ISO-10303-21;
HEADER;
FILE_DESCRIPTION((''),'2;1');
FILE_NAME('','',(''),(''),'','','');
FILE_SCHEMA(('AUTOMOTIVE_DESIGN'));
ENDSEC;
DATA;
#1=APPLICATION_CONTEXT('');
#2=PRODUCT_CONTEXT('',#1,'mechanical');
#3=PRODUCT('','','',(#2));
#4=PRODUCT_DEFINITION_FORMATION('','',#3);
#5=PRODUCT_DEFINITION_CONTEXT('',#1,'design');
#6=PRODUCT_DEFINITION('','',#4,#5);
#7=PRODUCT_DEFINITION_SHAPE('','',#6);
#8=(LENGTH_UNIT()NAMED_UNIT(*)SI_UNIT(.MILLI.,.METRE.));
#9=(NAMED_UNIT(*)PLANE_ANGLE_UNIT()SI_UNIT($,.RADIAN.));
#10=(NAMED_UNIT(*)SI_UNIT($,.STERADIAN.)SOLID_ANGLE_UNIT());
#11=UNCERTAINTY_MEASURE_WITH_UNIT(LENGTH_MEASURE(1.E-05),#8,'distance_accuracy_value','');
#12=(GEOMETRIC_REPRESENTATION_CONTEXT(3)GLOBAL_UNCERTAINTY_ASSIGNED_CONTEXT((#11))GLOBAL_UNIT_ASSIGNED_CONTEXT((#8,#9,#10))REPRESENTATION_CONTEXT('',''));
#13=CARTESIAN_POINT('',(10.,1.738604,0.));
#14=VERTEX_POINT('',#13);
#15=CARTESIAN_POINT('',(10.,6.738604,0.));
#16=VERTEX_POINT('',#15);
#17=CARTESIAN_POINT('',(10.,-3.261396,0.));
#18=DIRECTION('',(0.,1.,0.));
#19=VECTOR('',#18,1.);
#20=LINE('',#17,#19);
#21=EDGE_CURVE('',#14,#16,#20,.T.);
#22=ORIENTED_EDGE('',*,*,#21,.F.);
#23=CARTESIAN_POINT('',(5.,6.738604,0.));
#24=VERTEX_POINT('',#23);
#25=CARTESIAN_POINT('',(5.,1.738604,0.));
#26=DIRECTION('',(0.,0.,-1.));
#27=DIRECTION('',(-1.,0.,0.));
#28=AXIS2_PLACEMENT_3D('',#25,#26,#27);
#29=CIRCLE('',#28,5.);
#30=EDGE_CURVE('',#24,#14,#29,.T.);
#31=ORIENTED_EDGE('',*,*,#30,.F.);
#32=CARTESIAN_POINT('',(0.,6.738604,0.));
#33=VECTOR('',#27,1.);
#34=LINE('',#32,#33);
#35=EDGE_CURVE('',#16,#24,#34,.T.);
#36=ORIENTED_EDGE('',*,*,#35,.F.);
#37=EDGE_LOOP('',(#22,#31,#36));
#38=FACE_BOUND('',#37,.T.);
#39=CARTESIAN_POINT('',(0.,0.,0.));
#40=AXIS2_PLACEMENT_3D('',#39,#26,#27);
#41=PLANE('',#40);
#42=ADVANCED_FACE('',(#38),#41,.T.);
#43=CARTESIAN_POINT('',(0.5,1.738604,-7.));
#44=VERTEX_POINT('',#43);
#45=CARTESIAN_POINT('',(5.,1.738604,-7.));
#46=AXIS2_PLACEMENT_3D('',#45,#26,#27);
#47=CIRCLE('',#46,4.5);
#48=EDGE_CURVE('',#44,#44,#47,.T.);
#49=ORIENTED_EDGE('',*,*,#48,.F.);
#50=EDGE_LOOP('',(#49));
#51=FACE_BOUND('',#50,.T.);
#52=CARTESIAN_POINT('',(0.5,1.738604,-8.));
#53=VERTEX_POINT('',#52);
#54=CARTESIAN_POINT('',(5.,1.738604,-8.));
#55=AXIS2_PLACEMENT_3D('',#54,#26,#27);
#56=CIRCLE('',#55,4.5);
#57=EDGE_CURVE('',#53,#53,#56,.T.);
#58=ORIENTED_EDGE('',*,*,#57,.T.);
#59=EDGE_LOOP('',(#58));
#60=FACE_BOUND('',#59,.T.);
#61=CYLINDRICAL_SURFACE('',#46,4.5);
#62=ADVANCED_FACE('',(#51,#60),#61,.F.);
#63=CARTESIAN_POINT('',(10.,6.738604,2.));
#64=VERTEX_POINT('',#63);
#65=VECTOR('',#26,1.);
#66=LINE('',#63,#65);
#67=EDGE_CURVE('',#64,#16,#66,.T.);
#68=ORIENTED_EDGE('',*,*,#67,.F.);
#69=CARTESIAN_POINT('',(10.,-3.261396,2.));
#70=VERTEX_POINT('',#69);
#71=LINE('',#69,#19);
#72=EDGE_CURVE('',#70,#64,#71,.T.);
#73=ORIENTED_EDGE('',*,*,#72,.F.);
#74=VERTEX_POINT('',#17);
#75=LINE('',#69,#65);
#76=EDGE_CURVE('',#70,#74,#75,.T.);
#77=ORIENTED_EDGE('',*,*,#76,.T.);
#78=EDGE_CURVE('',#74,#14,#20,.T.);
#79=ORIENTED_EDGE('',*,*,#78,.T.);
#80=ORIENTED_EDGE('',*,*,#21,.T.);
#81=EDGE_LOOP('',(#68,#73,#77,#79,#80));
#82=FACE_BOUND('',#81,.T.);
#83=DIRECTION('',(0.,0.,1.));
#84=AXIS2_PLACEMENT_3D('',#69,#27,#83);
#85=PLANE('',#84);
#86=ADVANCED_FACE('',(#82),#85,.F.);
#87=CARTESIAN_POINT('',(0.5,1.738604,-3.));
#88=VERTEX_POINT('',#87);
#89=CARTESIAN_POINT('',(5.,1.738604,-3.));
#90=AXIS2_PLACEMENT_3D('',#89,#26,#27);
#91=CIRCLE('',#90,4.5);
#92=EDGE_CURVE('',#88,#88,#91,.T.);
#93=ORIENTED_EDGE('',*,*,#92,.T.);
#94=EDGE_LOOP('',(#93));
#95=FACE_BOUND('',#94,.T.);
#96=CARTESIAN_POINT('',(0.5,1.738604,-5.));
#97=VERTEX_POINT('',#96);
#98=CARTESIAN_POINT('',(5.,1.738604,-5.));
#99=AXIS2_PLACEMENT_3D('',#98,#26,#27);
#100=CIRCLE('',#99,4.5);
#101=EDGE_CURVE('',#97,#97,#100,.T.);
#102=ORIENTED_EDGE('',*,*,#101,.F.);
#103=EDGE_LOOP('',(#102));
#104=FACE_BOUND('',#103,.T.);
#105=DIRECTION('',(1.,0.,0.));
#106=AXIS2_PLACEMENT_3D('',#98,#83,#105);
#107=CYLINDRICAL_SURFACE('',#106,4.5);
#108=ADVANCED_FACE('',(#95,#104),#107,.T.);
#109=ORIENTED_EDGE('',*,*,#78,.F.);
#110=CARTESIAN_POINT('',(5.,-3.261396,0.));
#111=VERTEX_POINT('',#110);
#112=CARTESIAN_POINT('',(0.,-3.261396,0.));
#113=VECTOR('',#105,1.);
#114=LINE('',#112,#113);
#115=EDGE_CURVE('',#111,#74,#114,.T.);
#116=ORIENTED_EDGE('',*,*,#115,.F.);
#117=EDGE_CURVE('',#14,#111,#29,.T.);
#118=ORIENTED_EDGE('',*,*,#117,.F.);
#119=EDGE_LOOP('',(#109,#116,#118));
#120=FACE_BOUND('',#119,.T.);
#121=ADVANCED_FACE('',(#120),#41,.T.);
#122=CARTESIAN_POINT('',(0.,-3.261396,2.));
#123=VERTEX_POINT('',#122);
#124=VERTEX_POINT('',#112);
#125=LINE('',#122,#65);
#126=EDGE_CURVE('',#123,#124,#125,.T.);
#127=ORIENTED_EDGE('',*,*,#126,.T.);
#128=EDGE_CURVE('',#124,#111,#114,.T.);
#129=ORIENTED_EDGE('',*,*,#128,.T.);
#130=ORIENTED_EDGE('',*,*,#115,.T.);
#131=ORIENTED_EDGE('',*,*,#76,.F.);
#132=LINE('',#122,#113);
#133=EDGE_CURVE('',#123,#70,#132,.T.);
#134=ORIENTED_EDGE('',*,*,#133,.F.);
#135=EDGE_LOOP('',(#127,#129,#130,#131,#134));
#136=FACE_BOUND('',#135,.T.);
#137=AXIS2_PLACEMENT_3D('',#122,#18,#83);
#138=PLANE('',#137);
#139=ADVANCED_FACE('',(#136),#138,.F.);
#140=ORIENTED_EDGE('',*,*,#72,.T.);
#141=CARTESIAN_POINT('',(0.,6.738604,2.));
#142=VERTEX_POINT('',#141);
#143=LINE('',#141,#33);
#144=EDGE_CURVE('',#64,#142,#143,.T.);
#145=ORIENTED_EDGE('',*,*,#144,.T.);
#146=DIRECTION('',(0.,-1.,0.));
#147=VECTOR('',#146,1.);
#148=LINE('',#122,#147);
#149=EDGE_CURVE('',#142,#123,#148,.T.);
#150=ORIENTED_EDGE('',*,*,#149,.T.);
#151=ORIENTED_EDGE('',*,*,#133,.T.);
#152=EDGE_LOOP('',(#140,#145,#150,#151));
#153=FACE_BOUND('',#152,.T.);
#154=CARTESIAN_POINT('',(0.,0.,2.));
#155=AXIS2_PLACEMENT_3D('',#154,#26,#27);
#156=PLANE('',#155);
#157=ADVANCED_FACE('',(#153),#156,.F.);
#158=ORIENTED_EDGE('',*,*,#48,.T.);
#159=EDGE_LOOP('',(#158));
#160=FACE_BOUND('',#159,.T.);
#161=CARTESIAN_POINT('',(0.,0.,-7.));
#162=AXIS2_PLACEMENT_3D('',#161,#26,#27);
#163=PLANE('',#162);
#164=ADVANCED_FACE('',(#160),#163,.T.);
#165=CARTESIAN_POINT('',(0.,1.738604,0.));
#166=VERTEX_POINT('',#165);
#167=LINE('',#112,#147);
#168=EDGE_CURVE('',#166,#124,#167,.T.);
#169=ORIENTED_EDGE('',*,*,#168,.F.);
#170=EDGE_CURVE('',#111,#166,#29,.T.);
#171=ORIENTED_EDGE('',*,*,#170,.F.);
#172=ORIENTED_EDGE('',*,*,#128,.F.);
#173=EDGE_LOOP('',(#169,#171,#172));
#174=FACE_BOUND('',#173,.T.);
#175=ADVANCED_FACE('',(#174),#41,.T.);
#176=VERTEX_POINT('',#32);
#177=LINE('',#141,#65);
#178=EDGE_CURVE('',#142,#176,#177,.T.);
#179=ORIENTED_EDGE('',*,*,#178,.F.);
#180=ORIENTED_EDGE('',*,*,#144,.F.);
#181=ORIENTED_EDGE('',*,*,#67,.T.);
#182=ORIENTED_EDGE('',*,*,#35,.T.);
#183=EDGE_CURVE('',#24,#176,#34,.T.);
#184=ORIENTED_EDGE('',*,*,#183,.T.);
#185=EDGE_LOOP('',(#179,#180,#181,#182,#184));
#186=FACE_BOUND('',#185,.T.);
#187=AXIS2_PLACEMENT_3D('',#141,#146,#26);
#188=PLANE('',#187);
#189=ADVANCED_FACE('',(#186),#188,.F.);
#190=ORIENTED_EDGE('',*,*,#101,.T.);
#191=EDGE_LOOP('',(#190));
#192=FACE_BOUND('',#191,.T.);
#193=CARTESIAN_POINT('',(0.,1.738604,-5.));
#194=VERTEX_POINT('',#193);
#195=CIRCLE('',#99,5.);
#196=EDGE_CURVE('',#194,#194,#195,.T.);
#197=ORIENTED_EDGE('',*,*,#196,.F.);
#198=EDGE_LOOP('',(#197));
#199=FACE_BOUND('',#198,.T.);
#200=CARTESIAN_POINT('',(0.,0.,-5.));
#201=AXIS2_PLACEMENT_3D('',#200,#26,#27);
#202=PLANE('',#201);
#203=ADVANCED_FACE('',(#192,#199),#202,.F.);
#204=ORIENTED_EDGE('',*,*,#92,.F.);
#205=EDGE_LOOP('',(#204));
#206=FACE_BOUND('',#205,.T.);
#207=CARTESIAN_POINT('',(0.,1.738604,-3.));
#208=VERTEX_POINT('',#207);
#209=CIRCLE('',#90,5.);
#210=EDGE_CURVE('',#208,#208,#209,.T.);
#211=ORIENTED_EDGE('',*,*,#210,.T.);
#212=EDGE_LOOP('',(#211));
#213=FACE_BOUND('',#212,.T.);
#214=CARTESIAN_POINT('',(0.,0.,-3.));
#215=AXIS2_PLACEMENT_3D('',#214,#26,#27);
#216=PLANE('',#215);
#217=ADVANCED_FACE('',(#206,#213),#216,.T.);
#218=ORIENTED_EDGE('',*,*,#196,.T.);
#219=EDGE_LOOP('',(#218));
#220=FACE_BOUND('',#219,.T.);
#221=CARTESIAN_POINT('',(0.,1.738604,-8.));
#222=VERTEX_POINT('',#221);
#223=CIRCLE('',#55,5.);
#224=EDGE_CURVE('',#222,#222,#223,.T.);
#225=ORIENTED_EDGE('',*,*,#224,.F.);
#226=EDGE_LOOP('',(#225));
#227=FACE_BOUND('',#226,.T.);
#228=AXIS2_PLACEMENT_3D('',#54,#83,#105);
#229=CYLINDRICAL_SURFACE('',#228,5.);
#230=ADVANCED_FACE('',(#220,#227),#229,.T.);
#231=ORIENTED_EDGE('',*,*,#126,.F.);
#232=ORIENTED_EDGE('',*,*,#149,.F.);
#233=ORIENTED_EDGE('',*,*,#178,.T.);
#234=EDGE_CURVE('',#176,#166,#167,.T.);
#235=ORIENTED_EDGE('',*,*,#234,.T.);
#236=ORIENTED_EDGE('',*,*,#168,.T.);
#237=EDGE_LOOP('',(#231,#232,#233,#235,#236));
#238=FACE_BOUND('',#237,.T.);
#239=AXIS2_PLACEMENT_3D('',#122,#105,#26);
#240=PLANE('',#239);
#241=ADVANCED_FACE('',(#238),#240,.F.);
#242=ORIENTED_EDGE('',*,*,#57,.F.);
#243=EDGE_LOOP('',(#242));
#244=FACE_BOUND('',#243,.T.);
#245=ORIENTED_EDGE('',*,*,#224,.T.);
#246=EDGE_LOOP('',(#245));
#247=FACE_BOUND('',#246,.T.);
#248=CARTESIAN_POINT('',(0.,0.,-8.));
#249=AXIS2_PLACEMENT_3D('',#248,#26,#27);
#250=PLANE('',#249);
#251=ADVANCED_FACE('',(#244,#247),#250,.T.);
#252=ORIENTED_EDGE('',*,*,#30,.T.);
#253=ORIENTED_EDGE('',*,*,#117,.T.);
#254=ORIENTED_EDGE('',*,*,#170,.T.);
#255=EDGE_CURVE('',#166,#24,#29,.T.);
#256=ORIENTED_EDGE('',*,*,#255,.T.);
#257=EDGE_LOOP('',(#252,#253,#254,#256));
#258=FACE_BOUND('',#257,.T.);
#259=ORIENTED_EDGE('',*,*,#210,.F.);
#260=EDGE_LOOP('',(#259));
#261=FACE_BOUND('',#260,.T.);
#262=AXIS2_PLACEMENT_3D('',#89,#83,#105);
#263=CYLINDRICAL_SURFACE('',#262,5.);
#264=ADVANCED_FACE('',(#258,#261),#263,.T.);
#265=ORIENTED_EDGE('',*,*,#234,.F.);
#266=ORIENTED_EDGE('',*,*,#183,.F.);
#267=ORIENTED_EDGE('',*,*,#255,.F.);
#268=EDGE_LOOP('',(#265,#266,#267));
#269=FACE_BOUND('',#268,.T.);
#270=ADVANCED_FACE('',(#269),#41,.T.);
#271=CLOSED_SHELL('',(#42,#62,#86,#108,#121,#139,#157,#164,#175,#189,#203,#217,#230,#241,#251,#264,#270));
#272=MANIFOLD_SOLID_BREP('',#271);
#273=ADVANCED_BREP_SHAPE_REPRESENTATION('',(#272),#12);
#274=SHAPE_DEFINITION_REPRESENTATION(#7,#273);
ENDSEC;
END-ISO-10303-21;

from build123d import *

# Parameters (mm, degrees)
ESQUISSE1_W             = 10
ESQUISSE1_H             = 10
BOSS_EXTRU_1_DEPTH      = 2
BOSS_EXTRU_2_DEPTH      = 3
ESQUISSE3_R             = 4.5
BOSS_EXTRU_3_DEPTH      = 2
BOSS_EXTRU_5_DEPTH      = 3
ENL_V_START             = -1
ENL_V_MAT_EXTRU_1_DEPTH = 1


with BuildPart() as part:
    # Esquisse1 → Boss.-Extru.1 (new body)
    with BuildSketch(Plane.XY):
        with Locations((5, 1.73860374)):
            Rectangle(ESQUISSE1_W, ESQUISSE1_H)
    extrude(amount=BOSS_EXTRU_1_DEPTH)

    # Esquisse2 → Boss.-Extru.2 (add)
    with BuildSketch(Plane(origin=(0, 0, 0), x_dir=(-1, 0, 0), z_dir=(0, 0, -1))):
        with BuildLine():
            ThreePointArc((-5, 6.73860374), (-6.913417162, 6.358001403), (-8.535533906, 5.274137646))
            Line((-8.535533906, 5.274137646), (-1.464466094, -1.796930166))
            ThreePointArc((-1.464466094, -1.796930166), (-0.380602337, -0.174813421), (0, 1.73860374))
            ThreePointArc((0, 1.73860374), (-1.464466094, 5.274137646), (-5, 6.73860374))
        make_face()
        with BuildLine():
            Line((-1.464466094, -1.796930166), (-8.535533906, 5.274137646))
            ThreePointArc((-8.535533906, 5.274137646), (-9.619397663, 3.652020902), (-10, 1.73860374))
            ThreePointArc((-10, 1.73860374), (-8.535533906, -1.796930166), (-5, -3.26139626))
            ThreePointArc((-5, -3.26139626), (-3.086582838, -2.880793922), (-1.464466094, -1.796930166))
        make_face()
    extrude(amount=BOSS_EXTRU_2_DEPTH)

    # Esquisse3 → Boss.-Extru.3 (add)
    with BuildSketch(Plane(origin=(0, 0, -3), x_dir=(-1, 0, 0), z_dir=(0, 0, -1))):
        with Locations((-5, 1.73860374)):
            Circle(ESQUISSE3_R)
    extrude(amount=BOSS_EXTRU_3_DEPTH)

    # Esquisse4 → Boss.-Extru.5 (add)
    with BuildSketch(Plane(origin=(0, 0, -5), x_dir=(-1, 0, 0), z_dir=(0, 0, -1))):
        with BuildLine():
            ThreePointArc((0, 1.73860374), (-3.086582838, 6.358001403), (-8.535533906, 5.274137646))
            Line((-8.535533906, 5.274137646), (-8.181980515, 4.920584256))
            ThreePointArc((-8.181980515, 4.920584256), (-3.277924554, 5.896061637), (-0.5, 1.73860374))
            ThreePointArc((-0.5, 1.73860374), (-0.842542104, 0.016528295), (-1.818019485, -1.443376775))
            Line((-1.818019485, -1.443376775), (-1.464466094, -1.796930166))
            ThreePointArc((-1.464466094, -1.796930166), (-0.380602337, -0.174813421), (0, 1.73860374))
        make_face()
        with BuildLine():
            Line((-8.181980515, 4.920584256), (-8.535533906, 5.274137646))
            ThreePointArc((-8.535533906, 5.274137646), (-8.535533906, -1.796930166), (-1.464466094, -1.796930166))
            Line((-1.464466094, -1.796930166), (-1.818019485, -1.443376775))
            ThreePointArc((-1.818019485, -1.443376775), (-8.181980515, -1.443376775), (-8.181980515, 4.920584256))
        make_face()
        with BuildLine():
            ThreePointArc((-0.5, 1.73860374), (-3.277924554, 5.896061637), (-8.181980515, 4.920584256))
            Line((-8.181980515, 4.920584256), (-1.818019485, -1.443376775))
            ThreePointArc((-1.818019485, -1.443376775), (-0.842542104, 0.016528295), (-0.5, 1.73860374))
        make_face()
        with BuildLine():
            Line((-1.818019485, -1.443376775), (-8.181980515, 4.920584256))
            ThreePointArc((-8.181980515, 4.920584256), (-8.181980515, -1.443376775), (-1.818019485, -1.443376775))
        make_face()
    extrude(amount=BOSS_EXTRU_5_DEPTH)

    # Esquisse5 → Enlèv. mat.-Extru.1 (cut)
    with BuildSketch(Plane(origin=(0, 0, -8), x_dir=(-1, 0, 0), z_dir=(0, 0, -1)).offset(ENL_V_START)):
        with BuildLine():
            ThreePointArc((-0.5, 1.73860374), (-3.277924554, 5.896061637), (-8.181980515, 4.920584256))
            Line((-8.181980515, 4.920584256), (-1.818019485, -1.443376775))
            ThreePointArc((-1.818019485, -1.443376775), (-0.842542104, 0.016528295), (-0.5, 1.73860374))
        make_face()
        with BuildLine():
            Line((-1.818019485, -1.443376775), (-8.181980515, 4.920584256))
            ThreePointArc((-8.181980515, 4.920584256), (-8.181980515, -1.443376775), (-1.818019485, -1.443376775))
        make_face()
    extrude(amount=ENL_V_MAT_EXTRU_1_DEPTH, mode=Mode.SUBTRACT)


solid = part.part
